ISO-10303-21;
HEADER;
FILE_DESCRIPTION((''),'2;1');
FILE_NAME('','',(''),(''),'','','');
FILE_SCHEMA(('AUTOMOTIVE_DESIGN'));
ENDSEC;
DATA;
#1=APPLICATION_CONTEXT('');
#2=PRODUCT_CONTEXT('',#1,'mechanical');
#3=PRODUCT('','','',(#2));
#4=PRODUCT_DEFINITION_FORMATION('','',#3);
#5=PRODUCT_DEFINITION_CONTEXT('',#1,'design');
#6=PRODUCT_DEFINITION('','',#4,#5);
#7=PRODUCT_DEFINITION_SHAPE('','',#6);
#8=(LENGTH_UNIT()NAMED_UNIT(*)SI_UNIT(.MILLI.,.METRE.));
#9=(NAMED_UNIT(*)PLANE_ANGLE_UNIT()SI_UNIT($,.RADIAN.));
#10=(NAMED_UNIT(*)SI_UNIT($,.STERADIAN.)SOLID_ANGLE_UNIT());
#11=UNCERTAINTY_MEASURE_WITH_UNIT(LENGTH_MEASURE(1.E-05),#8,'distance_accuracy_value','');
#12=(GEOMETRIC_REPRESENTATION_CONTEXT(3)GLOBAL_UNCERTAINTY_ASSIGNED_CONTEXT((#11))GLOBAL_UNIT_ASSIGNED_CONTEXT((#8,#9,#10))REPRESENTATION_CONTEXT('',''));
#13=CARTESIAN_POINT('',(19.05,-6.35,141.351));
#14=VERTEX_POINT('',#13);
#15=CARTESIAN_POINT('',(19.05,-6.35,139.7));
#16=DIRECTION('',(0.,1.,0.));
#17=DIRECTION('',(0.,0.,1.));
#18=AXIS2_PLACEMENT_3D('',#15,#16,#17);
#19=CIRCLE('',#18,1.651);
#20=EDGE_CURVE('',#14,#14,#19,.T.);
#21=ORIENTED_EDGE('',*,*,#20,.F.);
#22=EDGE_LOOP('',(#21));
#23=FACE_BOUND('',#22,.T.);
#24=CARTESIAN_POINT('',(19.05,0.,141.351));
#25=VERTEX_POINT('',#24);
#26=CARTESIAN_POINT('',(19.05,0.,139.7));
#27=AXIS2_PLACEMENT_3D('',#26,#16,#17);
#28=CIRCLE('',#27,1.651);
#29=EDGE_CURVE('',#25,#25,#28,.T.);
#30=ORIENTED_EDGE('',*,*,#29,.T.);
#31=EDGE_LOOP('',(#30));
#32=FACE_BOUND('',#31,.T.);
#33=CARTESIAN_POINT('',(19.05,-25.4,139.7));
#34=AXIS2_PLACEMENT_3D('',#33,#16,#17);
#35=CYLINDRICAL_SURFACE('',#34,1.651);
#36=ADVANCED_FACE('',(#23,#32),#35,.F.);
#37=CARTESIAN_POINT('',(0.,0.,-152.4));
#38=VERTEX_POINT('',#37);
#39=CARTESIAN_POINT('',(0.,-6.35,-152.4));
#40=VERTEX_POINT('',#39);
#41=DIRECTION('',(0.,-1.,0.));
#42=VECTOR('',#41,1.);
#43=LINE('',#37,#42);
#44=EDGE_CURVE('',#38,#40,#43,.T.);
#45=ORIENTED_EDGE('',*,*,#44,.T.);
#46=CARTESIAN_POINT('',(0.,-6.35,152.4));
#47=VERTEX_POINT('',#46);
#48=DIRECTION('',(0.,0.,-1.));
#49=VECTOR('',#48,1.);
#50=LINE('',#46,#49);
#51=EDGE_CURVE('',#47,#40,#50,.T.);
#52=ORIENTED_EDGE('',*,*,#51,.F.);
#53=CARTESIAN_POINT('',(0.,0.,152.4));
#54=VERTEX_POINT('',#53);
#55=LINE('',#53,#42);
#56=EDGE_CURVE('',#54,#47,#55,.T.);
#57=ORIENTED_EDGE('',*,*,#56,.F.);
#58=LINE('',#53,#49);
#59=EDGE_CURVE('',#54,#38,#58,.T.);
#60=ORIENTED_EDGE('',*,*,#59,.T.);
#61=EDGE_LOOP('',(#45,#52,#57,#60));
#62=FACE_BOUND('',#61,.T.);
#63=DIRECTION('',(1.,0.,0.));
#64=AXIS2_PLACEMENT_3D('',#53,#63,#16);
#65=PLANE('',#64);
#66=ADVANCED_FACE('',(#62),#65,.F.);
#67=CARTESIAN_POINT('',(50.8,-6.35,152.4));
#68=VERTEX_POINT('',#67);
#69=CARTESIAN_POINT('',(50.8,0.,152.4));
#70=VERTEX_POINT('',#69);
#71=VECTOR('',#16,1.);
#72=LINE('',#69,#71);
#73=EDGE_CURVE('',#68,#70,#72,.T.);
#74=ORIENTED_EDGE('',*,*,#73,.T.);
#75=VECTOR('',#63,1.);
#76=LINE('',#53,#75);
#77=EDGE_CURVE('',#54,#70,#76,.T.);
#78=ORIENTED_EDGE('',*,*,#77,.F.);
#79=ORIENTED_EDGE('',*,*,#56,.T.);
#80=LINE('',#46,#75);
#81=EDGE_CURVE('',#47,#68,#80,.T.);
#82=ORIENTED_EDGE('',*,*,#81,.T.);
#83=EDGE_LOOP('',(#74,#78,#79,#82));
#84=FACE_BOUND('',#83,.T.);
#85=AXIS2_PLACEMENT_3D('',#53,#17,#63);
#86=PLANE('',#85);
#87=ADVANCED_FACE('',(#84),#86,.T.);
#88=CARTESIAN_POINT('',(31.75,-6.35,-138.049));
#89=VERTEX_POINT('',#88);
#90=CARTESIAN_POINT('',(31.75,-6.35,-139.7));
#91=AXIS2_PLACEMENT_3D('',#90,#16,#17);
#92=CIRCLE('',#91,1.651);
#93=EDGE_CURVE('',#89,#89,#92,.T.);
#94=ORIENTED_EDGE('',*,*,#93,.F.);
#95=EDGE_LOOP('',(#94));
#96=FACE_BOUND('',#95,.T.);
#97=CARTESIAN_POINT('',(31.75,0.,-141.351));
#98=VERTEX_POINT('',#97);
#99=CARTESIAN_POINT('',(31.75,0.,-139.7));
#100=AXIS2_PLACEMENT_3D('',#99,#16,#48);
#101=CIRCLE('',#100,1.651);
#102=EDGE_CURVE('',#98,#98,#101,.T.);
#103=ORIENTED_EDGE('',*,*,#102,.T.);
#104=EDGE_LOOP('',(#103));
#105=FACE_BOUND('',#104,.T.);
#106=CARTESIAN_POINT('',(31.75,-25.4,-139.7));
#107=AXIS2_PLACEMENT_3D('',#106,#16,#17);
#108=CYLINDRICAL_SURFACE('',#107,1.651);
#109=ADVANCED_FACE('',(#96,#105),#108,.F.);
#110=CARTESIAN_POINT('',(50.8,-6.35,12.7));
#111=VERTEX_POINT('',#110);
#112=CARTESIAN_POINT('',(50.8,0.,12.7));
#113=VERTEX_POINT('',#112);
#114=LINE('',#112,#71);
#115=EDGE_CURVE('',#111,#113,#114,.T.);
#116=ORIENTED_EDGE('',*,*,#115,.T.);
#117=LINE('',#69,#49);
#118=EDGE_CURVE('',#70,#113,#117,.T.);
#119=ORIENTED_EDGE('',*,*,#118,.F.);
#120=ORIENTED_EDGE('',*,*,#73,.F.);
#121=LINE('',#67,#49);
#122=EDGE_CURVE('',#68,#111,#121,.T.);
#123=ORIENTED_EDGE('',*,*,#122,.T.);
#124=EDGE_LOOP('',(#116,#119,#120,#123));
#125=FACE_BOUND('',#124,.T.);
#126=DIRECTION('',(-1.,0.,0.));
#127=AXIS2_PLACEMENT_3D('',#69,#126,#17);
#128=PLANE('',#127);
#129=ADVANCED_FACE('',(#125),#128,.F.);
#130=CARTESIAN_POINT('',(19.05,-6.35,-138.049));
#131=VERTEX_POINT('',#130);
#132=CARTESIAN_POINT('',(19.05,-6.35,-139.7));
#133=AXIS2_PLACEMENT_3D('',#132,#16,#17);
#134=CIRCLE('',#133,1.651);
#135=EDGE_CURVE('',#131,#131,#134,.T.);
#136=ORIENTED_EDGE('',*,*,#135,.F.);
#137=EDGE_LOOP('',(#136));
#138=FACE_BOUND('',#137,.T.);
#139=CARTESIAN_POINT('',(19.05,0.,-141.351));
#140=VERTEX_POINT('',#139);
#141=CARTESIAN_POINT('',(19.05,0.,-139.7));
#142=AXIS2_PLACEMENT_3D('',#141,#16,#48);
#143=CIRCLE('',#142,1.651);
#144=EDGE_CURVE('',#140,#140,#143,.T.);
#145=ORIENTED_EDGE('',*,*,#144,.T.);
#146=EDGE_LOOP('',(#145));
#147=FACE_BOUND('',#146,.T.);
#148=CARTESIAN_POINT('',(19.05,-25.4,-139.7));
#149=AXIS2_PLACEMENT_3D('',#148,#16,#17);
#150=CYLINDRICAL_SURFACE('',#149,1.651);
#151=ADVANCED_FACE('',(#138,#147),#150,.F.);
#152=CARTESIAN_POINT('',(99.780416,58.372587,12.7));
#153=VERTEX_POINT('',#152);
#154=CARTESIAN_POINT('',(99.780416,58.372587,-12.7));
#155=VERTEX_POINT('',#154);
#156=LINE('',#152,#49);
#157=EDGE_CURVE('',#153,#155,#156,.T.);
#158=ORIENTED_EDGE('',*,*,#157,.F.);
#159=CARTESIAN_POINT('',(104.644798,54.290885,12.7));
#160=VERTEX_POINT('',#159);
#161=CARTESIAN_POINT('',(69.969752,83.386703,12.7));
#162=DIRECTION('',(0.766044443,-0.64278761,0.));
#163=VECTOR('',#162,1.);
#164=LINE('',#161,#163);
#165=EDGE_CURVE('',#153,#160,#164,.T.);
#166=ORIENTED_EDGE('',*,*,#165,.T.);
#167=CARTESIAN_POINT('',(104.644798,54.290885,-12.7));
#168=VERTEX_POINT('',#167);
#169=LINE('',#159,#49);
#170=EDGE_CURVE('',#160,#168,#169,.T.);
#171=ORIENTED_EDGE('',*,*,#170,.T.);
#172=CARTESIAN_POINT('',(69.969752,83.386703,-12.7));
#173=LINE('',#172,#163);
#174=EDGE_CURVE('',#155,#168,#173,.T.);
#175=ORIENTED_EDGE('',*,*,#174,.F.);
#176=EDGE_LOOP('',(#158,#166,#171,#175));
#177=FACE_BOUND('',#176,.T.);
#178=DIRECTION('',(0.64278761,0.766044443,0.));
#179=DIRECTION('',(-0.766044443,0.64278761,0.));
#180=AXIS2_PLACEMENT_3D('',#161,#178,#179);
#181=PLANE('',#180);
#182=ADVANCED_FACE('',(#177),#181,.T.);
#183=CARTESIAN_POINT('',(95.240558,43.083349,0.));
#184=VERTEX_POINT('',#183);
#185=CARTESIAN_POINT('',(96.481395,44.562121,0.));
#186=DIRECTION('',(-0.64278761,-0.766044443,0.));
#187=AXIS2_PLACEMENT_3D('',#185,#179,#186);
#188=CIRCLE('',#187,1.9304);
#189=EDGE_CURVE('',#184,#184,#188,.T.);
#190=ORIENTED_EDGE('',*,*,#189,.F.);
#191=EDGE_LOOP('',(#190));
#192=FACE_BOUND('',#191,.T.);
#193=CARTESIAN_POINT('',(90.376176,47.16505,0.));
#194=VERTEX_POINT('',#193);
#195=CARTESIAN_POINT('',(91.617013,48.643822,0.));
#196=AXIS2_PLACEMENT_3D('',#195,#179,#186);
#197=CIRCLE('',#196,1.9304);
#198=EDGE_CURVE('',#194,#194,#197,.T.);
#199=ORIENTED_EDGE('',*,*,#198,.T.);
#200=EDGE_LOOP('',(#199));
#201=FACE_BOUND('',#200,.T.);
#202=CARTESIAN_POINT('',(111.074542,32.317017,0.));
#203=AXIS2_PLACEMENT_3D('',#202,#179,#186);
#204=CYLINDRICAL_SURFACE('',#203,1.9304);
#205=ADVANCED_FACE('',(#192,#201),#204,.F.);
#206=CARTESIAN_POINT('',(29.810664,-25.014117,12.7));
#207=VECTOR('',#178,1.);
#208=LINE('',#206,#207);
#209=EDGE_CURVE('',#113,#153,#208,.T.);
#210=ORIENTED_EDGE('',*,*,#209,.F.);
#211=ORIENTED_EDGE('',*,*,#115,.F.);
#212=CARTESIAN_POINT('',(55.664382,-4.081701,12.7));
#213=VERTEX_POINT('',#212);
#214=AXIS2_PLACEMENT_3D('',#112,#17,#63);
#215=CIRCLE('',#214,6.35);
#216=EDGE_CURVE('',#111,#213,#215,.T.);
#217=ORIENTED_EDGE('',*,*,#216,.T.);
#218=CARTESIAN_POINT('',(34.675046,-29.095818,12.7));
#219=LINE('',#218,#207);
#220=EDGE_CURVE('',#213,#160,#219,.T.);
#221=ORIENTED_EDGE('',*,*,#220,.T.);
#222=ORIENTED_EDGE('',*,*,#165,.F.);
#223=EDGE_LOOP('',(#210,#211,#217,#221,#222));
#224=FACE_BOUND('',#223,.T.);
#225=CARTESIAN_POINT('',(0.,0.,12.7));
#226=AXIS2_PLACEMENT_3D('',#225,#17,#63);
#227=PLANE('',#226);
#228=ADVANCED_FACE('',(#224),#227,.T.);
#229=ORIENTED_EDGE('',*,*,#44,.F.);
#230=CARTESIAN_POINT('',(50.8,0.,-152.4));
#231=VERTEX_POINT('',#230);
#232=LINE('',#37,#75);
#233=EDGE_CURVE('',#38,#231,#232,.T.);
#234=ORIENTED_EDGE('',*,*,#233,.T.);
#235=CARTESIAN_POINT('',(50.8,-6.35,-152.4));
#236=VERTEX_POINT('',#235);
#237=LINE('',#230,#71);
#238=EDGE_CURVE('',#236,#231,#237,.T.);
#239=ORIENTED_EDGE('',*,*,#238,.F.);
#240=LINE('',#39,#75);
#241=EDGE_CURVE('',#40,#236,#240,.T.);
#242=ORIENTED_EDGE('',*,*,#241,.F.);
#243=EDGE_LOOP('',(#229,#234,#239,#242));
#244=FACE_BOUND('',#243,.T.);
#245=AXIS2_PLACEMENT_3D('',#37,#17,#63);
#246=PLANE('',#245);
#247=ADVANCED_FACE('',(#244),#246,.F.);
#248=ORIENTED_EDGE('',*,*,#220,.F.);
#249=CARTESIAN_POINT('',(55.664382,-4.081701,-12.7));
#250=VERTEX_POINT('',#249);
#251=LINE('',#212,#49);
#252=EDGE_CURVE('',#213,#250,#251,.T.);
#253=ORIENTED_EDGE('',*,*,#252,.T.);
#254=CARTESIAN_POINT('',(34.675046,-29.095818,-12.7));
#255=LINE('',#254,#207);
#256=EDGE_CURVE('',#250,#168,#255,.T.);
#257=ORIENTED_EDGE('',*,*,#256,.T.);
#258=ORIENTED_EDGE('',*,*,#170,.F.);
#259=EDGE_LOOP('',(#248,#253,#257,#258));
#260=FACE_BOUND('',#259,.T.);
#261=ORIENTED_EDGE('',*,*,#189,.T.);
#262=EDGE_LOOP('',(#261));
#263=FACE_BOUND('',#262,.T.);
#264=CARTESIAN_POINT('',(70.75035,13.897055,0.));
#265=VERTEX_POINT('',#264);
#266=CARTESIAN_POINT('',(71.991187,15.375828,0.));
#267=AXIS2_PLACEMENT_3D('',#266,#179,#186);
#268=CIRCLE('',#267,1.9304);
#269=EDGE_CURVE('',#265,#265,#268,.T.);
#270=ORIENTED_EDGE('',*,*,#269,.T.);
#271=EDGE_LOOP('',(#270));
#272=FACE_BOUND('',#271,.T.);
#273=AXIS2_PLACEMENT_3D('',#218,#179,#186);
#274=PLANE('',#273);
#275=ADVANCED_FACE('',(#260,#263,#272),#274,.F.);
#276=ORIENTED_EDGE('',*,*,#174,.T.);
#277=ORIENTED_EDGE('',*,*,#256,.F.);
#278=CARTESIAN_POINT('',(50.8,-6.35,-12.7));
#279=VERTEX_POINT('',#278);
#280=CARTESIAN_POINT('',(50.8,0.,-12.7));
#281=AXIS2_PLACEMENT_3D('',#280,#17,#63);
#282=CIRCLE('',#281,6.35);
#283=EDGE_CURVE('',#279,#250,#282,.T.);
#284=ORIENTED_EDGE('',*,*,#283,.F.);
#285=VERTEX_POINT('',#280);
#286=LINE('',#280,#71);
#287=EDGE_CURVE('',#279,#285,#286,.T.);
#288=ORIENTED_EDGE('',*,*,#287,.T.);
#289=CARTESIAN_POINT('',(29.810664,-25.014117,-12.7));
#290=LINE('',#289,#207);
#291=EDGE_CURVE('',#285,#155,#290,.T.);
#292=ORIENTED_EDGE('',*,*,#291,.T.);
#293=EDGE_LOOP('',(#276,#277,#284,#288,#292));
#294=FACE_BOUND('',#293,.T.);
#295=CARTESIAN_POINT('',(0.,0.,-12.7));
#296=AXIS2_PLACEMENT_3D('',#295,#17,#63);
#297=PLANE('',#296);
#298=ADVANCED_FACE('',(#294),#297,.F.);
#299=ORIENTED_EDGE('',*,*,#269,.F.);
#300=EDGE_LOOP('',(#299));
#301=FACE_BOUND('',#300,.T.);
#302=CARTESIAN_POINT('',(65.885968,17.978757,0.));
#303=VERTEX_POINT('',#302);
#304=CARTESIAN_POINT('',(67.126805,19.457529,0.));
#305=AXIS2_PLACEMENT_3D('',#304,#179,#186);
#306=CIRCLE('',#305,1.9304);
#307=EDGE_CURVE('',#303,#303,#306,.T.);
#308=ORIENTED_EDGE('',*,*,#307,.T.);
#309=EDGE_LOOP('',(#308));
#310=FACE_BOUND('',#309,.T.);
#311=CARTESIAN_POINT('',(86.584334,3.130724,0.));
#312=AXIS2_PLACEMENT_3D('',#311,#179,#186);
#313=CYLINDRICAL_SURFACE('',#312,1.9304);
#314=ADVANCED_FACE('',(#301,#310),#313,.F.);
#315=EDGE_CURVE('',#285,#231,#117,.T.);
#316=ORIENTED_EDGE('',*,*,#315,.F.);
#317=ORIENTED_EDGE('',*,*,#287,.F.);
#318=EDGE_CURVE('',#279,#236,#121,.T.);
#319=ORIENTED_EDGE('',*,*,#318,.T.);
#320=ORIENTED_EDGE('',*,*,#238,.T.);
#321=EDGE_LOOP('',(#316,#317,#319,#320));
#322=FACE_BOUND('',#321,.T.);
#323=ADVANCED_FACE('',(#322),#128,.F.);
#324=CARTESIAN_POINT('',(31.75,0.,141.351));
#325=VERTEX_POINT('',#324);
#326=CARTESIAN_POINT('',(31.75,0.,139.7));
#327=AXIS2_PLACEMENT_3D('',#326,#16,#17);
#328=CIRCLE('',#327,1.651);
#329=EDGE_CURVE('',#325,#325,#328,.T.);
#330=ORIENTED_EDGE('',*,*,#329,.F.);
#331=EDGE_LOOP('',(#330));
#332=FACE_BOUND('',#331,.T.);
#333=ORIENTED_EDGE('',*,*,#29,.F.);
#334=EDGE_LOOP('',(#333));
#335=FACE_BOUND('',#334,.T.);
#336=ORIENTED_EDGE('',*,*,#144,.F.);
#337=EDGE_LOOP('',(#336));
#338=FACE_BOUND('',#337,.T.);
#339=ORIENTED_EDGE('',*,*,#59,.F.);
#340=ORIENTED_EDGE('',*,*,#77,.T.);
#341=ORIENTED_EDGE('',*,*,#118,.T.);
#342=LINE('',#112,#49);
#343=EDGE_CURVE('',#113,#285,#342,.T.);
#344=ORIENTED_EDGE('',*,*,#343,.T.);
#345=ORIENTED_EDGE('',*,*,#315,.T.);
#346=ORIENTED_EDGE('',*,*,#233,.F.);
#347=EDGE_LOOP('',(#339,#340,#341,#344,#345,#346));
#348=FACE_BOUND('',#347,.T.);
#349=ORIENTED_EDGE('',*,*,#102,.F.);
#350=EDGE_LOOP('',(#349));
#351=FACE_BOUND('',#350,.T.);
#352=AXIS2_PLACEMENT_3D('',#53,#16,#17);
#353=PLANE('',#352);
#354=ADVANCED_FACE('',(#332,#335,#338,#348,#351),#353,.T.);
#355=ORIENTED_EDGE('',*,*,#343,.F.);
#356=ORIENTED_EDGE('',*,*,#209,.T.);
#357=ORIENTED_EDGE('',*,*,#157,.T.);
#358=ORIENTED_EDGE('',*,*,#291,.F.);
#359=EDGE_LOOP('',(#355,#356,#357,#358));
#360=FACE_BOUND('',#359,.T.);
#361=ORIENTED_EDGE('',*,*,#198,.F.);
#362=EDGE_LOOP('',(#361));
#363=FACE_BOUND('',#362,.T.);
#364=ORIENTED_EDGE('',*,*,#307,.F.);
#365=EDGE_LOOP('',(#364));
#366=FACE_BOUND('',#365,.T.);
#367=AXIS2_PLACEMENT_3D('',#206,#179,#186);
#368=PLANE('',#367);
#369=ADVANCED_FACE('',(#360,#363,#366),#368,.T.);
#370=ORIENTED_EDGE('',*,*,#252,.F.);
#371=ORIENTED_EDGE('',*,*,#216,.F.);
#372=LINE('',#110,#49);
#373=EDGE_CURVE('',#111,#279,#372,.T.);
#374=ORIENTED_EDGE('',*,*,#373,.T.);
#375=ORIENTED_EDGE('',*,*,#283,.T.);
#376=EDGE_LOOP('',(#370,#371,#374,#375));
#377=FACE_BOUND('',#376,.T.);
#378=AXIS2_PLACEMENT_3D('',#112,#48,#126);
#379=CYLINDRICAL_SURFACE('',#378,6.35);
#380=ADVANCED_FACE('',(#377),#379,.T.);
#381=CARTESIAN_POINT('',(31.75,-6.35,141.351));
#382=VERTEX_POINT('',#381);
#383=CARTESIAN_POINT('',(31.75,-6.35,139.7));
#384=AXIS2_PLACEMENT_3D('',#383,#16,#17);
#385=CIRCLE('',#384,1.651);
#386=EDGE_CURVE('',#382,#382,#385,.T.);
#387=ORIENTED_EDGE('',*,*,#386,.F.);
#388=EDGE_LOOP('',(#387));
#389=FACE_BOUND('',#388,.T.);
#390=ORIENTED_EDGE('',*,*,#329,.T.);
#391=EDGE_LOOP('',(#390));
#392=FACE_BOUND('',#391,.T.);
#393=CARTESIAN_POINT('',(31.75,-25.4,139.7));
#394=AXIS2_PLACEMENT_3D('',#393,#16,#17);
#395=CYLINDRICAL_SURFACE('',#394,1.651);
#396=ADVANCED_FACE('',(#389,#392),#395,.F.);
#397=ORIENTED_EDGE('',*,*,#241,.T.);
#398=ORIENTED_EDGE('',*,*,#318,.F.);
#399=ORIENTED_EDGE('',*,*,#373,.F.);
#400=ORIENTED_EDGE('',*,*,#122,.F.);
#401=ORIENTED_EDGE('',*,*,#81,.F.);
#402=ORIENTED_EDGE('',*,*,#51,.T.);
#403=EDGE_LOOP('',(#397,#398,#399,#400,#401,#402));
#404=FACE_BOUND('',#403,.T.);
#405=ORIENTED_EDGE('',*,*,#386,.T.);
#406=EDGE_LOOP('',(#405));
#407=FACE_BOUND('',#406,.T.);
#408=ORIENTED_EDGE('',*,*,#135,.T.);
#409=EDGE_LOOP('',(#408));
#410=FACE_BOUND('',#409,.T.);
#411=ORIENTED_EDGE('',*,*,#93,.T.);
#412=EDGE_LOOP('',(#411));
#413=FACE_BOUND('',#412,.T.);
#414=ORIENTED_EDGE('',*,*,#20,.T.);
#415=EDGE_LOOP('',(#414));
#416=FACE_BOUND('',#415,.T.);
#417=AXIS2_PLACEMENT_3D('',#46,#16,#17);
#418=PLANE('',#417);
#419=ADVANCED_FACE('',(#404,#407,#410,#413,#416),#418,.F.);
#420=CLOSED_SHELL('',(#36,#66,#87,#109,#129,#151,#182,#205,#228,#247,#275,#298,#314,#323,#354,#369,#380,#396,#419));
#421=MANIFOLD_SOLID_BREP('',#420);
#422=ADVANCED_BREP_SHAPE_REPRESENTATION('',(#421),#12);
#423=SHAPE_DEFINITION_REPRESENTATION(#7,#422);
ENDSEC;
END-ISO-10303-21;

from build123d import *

# Parameters (mm, degrees)
BOSS_EXTRUDE1_START = -152.4
SKETCH1_W           = 50.8
SKETCH1_H           = 6.35
BOSS_EXTRUDE1_DEPTH = 304.8
BOSS_EXTRUDE2_START = -12.7
BOSS_EXTRUDE2_DEPTH = 25.4
SKETCH2_R           = 1.651
CUT_EXTRUDE2_DEPTH  = 25.4
SKETCH3_R           = 1.9304
CUT_EXTRUDE4_DEPTH  = 25.4


with BuildPart() as part:
    # Sketch1 → Boss-Extrude1 (new body)
    with BuildSketch(Plane.XY.offset(BOSS_EXTRUDE1_START)):
        with Locations((25.4, -3.175)):
            Rectangle(SKETCH1_W, SKETCH1_H)
    extrude(amount=BOSS_EXTRUDE1_DEPTH)

    # Sketch1<7> → Boss-Extrude2 (add)
    with BuildSketch(Plane.XY.offset(BOSS_EXTRUDE2_START)):
        with BuildLine():
            ThreePointArc((50.8, -6.35), (53.483625962, -5.755054448), (55.664382214, -4.081701322))
            Line((55.664382214, -4.081701322), (104.644798072, 54.290885244))
            Line((104.644798072, 54.290885244), (99.780415858, 58.372586566))
            Line((99.780415858, 58.372586566), (50.8, 0))
            Line((50.8, 0), (50.8, -6.35))
        make_face()
    extrude(amount=BOSS_EXTRUDE2_DEPTH)

    # Sketch2 → Cut-Extrude2 (cut)
    with BuildSketch(Plane(origin=(0, 0, 0), x_dir=(1, 0, 0), z_dir=(0, 1, 0))):
        with Locations(Location((19.05, -139.7, 0), (0, 0, 270))):
            Circle(SKETCH2_R)
        with Locations(Location((31.75, -139.7, 0), (0, 0, 270))):
            Circle(SKETCH2_R)
        with Locations(Location((31.75, 139.7, 0), (0, 0, 270))):
            Circle(SKETCH2_R)
        with Locations(Location((19.05, 139.7, 0), (0, 0, 270))):
            Circle(SKETCH2_R)
    extrude(amount=-CUT_EXTRUDE2_DEPTH, mode=Mode.SUBTRACT)

    # Sketch3 → Cut-Extrude4 (cut)
    with BuildSketch(Plane(origin=(29.810663713, -25.014116927, 0), x_dir=(0.6427876096865373, 0.7660444431189797, 0), z_dir=(-0.7660444431189798, 0.6427876096865374, 0))):
        with Locations(Location((96.153610572, 0, 0), (0, 0, 180))):
            Circle(SKETCH3_R)
        with Locations(Location((58.053610572, 0, 0), (0, 0, 180))):
            Circle(SKETCH3_R)
    extrude(amount=-CUT_EXTRUDE4_DEPTH, mode=Mode.SUBTRACT)


solid = part.part
